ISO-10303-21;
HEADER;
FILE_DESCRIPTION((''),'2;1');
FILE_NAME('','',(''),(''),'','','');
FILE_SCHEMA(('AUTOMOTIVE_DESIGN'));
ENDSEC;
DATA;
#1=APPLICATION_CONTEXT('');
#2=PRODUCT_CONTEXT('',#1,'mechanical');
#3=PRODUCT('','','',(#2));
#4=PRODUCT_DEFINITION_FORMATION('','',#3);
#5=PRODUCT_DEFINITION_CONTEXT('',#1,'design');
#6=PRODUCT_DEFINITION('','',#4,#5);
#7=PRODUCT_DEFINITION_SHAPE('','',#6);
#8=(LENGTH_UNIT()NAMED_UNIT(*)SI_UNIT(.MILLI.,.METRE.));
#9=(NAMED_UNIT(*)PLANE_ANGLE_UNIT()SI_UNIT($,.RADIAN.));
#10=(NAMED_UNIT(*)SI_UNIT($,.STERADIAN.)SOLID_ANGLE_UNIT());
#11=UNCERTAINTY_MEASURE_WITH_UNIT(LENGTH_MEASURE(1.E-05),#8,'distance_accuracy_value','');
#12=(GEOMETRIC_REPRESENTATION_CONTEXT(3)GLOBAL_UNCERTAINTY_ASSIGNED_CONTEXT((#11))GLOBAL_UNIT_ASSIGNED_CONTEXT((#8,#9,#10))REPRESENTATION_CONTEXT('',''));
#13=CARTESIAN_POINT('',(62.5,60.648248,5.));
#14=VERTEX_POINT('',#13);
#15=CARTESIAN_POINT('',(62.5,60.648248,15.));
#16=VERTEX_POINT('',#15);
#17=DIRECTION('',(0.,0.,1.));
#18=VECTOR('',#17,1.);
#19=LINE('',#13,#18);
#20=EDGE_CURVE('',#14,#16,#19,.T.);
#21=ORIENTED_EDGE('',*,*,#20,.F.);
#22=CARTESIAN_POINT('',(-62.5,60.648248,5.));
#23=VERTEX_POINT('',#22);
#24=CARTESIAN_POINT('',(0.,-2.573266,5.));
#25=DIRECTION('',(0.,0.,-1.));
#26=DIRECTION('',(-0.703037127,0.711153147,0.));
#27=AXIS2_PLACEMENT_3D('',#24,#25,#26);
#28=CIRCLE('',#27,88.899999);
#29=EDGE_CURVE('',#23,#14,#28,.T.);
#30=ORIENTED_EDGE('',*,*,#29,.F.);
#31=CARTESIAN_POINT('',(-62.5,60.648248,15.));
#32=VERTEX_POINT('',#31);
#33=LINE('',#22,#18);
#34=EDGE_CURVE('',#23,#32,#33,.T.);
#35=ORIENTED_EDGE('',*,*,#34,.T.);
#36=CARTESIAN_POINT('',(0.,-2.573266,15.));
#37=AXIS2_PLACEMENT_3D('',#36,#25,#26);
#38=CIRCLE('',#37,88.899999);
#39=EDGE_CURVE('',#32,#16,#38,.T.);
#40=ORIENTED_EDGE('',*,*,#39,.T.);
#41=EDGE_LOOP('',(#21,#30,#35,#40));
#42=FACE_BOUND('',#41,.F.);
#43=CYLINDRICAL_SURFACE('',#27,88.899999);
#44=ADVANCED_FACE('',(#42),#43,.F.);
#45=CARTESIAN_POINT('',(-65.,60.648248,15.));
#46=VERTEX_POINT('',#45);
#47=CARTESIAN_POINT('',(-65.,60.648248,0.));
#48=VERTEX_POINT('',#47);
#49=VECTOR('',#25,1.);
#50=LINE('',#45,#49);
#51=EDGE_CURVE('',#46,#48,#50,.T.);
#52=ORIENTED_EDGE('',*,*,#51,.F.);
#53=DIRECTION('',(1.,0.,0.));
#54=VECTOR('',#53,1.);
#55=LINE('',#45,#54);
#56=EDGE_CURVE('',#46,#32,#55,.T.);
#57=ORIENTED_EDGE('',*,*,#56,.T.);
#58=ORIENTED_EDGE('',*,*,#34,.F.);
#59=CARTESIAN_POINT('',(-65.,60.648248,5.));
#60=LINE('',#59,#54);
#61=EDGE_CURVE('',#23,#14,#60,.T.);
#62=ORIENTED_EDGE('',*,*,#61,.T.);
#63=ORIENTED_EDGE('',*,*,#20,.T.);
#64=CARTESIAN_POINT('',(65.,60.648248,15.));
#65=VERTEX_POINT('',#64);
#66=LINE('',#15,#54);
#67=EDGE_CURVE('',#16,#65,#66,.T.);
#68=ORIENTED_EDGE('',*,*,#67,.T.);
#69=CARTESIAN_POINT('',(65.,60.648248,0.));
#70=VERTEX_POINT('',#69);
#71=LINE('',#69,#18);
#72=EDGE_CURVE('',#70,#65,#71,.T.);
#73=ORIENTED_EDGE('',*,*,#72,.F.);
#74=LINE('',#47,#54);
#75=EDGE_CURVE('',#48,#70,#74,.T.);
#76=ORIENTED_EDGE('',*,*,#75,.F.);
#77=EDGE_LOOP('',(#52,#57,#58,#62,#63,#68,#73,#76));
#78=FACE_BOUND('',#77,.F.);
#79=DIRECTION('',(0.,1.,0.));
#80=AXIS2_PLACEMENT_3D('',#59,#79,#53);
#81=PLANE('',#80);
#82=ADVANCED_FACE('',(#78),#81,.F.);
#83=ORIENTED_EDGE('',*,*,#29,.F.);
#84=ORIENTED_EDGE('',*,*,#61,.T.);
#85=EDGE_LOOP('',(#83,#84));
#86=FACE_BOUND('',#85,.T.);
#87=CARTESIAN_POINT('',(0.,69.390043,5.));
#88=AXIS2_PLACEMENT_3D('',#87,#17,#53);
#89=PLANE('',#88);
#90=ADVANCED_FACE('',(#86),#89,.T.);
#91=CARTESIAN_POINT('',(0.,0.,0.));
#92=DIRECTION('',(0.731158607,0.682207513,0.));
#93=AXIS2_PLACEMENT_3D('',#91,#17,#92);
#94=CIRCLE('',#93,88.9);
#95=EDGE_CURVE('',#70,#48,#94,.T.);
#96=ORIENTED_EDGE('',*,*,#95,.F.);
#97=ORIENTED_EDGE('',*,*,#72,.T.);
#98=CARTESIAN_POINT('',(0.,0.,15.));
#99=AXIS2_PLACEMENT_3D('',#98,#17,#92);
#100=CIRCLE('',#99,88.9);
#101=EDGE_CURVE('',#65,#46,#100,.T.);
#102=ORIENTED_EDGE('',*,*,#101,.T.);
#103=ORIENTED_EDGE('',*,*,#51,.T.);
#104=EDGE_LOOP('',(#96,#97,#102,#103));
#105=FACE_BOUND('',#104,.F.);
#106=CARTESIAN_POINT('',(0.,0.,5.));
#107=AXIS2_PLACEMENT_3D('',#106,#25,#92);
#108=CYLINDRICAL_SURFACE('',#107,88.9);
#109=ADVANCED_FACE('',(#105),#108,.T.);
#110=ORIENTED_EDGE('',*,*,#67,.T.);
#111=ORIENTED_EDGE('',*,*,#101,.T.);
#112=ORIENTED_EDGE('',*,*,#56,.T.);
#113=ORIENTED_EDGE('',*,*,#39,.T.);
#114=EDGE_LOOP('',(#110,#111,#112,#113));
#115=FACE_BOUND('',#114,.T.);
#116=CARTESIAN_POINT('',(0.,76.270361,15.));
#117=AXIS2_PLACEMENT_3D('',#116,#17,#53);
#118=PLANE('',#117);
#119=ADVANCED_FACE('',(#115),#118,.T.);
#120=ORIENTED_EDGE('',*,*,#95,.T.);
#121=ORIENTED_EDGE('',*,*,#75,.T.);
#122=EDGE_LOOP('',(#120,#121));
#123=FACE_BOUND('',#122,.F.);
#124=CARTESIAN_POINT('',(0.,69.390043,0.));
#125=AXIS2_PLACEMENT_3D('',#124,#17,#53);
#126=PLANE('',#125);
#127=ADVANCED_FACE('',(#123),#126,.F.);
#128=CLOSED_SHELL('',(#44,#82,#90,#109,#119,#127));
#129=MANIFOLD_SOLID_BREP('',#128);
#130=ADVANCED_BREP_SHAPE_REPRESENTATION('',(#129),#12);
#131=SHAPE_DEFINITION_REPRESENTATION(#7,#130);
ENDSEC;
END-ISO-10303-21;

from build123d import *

# Parameters (mm, degrees)
F1_DEPTH = 5
F3_DEPTH = 10


with BuildPart() as f1:
    # F0 (on Top) → F1 (new body)
    with BuildSketch(Plane.XY):
        with BuildLine():
            Line((-65, 60.648248), (65, 60.648248))
            ThreePointArc((65, 60.648248), (0, 88.9), (-65, 60.648248))
        make_face()
    extrude(amount=F1_DEPTH)

    # F2 (on face) → F3 (join)
    with BuildSketch(Plane.XY.offset(5)):
        with BuildLine():
            ThreePointArc((-62.5, 60.648248), (0, 86.326733), (62.5, 60.648248))
            Line((62.5, 60.648248), (65, 60.648248))
            ThreePointArc((65, 60.648248), (0, 88.9), (-65, 60.648248))
            Line((-65, 60.648248), (-62.5, 60.648248))
        make_face()
    extrude(amount=F3_DEPTH)


solid = f1.part
